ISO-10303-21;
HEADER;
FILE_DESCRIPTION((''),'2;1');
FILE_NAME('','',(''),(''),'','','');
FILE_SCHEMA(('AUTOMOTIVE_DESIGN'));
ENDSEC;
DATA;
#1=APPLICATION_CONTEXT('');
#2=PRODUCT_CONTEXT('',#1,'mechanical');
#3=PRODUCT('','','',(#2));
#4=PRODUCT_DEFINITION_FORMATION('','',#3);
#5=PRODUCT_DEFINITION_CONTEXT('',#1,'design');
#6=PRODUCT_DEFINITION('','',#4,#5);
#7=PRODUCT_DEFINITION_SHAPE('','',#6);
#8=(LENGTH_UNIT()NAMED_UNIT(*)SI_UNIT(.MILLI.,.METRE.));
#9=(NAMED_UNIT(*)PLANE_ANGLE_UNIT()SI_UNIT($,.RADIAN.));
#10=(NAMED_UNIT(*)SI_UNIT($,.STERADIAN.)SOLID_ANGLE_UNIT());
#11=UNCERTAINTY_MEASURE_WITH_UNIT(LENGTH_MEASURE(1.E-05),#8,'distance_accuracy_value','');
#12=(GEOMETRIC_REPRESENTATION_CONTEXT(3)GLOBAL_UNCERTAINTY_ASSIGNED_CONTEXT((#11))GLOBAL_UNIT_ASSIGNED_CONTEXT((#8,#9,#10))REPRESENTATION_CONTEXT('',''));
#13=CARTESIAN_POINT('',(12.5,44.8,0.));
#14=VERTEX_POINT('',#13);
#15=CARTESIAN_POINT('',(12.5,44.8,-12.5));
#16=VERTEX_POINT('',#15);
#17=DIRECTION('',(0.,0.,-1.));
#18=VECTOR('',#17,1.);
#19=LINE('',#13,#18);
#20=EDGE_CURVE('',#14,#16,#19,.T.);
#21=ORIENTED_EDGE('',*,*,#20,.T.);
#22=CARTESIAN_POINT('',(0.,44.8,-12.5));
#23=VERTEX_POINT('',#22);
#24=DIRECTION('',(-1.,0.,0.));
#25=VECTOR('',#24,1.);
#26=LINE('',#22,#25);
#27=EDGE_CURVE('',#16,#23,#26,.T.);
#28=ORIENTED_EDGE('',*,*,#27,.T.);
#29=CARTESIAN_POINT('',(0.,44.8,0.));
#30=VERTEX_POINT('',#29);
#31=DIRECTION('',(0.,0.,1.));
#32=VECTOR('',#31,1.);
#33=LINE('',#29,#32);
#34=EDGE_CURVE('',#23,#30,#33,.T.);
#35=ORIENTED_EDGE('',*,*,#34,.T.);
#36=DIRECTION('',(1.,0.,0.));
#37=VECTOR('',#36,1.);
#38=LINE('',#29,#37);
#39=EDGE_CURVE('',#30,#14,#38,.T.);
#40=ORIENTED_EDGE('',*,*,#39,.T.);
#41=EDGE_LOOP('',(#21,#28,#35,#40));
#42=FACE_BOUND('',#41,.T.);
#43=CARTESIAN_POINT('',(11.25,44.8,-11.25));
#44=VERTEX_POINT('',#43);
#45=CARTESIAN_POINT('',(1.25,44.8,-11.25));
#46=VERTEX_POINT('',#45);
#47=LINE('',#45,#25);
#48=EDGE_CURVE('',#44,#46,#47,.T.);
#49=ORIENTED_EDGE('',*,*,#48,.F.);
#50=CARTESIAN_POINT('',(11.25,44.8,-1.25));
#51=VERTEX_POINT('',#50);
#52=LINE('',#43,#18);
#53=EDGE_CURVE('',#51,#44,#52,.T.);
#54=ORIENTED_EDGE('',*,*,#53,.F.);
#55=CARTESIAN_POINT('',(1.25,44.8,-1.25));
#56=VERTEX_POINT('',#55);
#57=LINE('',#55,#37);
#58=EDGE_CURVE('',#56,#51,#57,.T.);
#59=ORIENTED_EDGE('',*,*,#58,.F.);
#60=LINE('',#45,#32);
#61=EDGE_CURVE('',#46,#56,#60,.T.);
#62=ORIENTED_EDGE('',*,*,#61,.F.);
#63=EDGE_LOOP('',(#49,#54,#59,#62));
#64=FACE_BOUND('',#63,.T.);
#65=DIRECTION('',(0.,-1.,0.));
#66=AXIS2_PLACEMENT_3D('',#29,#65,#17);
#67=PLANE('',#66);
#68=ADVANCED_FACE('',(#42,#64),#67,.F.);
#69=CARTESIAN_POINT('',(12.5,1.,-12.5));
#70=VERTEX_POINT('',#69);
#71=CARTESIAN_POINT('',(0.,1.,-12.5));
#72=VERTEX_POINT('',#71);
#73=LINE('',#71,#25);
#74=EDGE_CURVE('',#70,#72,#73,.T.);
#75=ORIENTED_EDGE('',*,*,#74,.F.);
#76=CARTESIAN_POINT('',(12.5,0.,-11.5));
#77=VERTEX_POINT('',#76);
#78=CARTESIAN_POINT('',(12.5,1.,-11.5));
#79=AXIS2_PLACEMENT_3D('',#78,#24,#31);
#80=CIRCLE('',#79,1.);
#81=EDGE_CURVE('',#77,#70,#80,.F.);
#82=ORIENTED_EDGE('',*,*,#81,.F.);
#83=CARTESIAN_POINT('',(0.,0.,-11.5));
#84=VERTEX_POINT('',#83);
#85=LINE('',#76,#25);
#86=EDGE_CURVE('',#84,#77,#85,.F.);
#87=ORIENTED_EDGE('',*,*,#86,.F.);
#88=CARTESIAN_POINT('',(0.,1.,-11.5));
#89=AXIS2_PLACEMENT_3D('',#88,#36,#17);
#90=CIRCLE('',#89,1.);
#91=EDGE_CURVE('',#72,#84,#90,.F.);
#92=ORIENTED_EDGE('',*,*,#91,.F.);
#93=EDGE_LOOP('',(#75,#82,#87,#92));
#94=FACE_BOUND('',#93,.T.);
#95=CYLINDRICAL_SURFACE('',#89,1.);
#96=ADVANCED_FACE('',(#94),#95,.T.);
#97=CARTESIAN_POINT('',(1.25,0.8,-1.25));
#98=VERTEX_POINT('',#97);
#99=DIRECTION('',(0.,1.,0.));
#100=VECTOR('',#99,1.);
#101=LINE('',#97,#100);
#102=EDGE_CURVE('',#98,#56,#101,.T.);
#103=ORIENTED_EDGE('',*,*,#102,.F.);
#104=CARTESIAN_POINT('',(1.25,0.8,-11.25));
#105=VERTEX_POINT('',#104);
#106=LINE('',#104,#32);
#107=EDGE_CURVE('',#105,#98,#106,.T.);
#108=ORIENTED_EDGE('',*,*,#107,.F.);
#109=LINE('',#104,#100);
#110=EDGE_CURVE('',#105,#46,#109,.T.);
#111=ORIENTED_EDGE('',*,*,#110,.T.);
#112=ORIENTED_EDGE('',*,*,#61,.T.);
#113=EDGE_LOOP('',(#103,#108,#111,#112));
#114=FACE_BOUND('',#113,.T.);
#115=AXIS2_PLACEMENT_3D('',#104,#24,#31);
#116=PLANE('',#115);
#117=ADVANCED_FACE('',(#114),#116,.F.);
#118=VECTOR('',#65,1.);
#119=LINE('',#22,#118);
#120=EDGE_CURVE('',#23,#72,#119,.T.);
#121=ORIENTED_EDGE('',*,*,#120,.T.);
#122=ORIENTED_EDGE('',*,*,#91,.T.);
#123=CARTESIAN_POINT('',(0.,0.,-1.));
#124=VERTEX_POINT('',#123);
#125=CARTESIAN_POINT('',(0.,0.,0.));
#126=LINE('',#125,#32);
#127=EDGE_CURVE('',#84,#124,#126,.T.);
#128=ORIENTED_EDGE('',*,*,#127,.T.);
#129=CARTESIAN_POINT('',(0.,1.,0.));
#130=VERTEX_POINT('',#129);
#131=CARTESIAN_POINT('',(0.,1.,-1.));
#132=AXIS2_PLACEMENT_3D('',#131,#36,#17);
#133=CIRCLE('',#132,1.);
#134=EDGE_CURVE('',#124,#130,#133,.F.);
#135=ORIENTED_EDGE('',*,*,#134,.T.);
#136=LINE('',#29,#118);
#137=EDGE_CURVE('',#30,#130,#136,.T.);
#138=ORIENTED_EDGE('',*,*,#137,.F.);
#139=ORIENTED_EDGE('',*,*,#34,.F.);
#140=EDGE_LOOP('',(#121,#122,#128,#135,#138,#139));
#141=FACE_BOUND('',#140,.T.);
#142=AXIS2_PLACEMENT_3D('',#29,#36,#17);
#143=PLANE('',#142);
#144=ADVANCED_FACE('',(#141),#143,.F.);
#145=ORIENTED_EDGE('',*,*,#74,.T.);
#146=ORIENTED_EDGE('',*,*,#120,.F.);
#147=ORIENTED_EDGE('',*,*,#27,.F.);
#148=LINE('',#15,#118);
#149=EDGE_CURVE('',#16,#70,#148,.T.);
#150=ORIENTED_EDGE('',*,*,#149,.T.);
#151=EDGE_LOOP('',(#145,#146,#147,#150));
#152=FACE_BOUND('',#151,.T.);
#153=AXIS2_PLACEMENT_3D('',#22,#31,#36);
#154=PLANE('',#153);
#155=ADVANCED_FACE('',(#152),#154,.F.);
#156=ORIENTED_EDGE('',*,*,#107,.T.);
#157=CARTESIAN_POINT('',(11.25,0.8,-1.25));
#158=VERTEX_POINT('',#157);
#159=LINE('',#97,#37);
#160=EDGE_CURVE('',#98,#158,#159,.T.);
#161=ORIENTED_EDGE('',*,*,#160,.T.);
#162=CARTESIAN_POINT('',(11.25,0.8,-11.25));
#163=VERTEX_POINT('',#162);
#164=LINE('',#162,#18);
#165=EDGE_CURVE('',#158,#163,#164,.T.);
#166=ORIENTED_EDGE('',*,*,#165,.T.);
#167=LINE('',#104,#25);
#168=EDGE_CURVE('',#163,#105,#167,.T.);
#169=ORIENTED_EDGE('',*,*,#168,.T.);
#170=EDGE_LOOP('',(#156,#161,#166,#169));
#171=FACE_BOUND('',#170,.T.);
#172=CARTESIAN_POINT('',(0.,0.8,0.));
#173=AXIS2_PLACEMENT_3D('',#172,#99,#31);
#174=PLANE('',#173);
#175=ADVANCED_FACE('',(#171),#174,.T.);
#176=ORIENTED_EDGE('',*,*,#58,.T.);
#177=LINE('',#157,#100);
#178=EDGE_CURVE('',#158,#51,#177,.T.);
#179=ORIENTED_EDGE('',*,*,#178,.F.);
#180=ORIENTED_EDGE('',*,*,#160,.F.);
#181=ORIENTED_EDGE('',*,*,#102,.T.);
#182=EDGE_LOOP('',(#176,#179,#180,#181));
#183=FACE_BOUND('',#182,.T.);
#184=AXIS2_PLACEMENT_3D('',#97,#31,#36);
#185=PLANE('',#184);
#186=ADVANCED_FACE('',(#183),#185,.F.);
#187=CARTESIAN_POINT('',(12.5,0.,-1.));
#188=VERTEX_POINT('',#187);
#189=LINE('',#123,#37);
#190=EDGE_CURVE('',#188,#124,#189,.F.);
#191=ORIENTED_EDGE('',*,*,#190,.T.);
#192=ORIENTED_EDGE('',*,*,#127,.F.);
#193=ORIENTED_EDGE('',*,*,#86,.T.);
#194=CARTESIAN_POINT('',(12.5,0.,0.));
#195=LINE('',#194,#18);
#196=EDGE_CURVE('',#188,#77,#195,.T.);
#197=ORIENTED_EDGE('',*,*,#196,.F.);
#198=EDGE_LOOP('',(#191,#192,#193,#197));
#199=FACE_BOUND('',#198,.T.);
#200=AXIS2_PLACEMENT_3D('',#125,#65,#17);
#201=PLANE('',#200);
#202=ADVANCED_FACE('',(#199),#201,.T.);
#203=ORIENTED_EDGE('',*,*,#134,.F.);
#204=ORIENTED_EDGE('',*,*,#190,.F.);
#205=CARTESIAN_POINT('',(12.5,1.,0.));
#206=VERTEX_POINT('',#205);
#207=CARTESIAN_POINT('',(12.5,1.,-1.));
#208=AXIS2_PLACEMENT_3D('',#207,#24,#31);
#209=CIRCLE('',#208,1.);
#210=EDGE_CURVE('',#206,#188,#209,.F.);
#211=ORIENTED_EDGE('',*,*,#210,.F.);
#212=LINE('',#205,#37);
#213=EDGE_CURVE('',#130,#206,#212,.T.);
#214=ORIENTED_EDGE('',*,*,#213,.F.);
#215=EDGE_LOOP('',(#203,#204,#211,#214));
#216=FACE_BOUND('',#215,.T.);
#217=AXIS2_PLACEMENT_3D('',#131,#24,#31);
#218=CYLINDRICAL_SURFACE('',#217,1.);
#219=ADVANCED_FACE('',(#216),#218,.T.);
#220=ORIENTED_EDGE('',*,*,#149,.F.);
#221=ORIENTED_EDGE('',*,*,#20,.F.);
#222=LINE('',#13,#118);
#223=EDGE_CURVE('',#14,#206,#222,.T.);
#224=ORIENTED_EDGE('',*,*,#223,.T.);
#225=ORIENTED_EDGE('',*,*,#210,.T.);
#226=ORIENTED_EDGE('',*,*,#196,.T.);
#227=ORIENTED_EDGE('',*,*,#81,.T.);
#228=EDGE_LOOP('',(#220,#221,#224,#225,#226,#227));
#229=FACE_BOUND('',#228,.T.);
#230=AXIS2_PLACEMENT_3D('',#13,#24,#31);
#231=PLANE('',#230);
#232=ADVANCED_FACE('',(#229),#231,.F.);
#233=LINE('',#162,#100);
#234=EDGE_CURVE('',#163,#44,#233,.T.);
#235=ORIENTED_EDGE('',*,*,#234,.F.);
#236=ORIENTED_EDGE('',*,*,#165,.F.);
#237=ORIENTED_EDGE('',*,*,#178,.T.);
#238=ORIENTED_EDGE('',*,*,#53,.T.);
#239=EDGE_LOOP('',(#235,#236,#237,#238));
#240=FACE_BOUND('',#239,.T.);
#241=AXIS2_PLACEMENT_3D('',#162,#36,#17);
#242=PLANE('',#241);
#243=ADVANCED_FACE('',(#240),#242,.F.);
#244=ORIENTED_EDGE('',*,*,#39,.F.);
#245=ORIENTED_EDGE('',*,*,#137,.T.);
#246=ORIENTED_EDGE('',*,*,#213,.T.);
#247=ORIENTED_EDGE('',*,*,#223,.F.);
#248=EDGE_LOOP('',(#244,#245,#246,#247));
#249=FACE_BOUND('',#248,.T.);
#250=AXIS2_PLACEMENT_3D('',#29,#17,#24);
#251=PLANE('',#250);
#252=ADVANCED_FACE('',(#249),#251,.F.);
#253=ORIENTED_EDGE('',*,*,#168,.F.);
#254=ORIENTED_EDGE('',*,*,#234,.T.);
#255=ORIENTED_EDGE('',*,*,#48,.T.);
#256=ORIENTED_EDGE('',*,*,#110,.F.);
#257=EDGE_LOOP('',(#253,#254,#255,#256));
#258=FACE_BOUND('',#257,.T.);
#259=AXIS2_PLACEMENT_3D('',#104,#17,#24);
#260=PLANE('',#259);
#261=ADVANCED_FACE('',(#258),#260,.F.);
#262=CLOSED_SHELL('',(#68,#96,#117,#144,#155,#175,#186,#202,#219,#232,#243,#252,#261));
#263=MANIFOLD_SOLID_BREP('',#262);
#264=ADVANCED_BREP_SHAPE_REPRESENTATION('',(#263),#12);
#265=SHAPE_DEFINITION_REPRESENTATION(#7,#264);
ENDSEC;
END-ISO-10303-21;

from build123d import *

# Parameters (mm, degrees)
SKETCH_1_W          = 12.5
SKETCH_1_H          = 12.5
EXTRUDE_1_DEPTH     = 44.8
SKETCH_2_W          = 10
SKETCH_2_H          = 10
CUT_EXTRUDE_1_DEPTH = 44
FILLET_1_R          = 1


with BuildPart() as part:
    # Эскиз1 → Бобышка-Вытянуть1 (new body)
    with BuildSketch(Plane(origin=(0, 0, 0), x_dir=(1, 0, 0), z_dir=(0, 1, 0))):
        with Locations((6.25, 6.25)):
            Rectangle(SKETCH_1_W, SKETCH_1_H)
    extrude(amount=EXTRUDE_1_DEPTH)

    # Эскиз2 → Вырез-Вытянуть1 (cut)
    with BuildSketch(Plane(origin=(0, 44.8, 0), x_dir=(1, 0, 0), z_dir=(0, 1, 0))):
        with Locations((6.25, 6.25)):
            Rectangle(SKETCH_2_W, SKETCH_2_H)
    extrude(amount=-CUT_EXTRUDE_1_DEPTH, mode=Mode.SUBTRACT)

    # Скругление1
    fillet_1_edges = [part.edges().sort_by_distance(p)[0] for p in [
        (6.25, 0, -12.5),
        (6.25, 0, 0),
    ]]
    fillet(fillet_1_edges, radius=FILLET_1_R)


solid = part.part
